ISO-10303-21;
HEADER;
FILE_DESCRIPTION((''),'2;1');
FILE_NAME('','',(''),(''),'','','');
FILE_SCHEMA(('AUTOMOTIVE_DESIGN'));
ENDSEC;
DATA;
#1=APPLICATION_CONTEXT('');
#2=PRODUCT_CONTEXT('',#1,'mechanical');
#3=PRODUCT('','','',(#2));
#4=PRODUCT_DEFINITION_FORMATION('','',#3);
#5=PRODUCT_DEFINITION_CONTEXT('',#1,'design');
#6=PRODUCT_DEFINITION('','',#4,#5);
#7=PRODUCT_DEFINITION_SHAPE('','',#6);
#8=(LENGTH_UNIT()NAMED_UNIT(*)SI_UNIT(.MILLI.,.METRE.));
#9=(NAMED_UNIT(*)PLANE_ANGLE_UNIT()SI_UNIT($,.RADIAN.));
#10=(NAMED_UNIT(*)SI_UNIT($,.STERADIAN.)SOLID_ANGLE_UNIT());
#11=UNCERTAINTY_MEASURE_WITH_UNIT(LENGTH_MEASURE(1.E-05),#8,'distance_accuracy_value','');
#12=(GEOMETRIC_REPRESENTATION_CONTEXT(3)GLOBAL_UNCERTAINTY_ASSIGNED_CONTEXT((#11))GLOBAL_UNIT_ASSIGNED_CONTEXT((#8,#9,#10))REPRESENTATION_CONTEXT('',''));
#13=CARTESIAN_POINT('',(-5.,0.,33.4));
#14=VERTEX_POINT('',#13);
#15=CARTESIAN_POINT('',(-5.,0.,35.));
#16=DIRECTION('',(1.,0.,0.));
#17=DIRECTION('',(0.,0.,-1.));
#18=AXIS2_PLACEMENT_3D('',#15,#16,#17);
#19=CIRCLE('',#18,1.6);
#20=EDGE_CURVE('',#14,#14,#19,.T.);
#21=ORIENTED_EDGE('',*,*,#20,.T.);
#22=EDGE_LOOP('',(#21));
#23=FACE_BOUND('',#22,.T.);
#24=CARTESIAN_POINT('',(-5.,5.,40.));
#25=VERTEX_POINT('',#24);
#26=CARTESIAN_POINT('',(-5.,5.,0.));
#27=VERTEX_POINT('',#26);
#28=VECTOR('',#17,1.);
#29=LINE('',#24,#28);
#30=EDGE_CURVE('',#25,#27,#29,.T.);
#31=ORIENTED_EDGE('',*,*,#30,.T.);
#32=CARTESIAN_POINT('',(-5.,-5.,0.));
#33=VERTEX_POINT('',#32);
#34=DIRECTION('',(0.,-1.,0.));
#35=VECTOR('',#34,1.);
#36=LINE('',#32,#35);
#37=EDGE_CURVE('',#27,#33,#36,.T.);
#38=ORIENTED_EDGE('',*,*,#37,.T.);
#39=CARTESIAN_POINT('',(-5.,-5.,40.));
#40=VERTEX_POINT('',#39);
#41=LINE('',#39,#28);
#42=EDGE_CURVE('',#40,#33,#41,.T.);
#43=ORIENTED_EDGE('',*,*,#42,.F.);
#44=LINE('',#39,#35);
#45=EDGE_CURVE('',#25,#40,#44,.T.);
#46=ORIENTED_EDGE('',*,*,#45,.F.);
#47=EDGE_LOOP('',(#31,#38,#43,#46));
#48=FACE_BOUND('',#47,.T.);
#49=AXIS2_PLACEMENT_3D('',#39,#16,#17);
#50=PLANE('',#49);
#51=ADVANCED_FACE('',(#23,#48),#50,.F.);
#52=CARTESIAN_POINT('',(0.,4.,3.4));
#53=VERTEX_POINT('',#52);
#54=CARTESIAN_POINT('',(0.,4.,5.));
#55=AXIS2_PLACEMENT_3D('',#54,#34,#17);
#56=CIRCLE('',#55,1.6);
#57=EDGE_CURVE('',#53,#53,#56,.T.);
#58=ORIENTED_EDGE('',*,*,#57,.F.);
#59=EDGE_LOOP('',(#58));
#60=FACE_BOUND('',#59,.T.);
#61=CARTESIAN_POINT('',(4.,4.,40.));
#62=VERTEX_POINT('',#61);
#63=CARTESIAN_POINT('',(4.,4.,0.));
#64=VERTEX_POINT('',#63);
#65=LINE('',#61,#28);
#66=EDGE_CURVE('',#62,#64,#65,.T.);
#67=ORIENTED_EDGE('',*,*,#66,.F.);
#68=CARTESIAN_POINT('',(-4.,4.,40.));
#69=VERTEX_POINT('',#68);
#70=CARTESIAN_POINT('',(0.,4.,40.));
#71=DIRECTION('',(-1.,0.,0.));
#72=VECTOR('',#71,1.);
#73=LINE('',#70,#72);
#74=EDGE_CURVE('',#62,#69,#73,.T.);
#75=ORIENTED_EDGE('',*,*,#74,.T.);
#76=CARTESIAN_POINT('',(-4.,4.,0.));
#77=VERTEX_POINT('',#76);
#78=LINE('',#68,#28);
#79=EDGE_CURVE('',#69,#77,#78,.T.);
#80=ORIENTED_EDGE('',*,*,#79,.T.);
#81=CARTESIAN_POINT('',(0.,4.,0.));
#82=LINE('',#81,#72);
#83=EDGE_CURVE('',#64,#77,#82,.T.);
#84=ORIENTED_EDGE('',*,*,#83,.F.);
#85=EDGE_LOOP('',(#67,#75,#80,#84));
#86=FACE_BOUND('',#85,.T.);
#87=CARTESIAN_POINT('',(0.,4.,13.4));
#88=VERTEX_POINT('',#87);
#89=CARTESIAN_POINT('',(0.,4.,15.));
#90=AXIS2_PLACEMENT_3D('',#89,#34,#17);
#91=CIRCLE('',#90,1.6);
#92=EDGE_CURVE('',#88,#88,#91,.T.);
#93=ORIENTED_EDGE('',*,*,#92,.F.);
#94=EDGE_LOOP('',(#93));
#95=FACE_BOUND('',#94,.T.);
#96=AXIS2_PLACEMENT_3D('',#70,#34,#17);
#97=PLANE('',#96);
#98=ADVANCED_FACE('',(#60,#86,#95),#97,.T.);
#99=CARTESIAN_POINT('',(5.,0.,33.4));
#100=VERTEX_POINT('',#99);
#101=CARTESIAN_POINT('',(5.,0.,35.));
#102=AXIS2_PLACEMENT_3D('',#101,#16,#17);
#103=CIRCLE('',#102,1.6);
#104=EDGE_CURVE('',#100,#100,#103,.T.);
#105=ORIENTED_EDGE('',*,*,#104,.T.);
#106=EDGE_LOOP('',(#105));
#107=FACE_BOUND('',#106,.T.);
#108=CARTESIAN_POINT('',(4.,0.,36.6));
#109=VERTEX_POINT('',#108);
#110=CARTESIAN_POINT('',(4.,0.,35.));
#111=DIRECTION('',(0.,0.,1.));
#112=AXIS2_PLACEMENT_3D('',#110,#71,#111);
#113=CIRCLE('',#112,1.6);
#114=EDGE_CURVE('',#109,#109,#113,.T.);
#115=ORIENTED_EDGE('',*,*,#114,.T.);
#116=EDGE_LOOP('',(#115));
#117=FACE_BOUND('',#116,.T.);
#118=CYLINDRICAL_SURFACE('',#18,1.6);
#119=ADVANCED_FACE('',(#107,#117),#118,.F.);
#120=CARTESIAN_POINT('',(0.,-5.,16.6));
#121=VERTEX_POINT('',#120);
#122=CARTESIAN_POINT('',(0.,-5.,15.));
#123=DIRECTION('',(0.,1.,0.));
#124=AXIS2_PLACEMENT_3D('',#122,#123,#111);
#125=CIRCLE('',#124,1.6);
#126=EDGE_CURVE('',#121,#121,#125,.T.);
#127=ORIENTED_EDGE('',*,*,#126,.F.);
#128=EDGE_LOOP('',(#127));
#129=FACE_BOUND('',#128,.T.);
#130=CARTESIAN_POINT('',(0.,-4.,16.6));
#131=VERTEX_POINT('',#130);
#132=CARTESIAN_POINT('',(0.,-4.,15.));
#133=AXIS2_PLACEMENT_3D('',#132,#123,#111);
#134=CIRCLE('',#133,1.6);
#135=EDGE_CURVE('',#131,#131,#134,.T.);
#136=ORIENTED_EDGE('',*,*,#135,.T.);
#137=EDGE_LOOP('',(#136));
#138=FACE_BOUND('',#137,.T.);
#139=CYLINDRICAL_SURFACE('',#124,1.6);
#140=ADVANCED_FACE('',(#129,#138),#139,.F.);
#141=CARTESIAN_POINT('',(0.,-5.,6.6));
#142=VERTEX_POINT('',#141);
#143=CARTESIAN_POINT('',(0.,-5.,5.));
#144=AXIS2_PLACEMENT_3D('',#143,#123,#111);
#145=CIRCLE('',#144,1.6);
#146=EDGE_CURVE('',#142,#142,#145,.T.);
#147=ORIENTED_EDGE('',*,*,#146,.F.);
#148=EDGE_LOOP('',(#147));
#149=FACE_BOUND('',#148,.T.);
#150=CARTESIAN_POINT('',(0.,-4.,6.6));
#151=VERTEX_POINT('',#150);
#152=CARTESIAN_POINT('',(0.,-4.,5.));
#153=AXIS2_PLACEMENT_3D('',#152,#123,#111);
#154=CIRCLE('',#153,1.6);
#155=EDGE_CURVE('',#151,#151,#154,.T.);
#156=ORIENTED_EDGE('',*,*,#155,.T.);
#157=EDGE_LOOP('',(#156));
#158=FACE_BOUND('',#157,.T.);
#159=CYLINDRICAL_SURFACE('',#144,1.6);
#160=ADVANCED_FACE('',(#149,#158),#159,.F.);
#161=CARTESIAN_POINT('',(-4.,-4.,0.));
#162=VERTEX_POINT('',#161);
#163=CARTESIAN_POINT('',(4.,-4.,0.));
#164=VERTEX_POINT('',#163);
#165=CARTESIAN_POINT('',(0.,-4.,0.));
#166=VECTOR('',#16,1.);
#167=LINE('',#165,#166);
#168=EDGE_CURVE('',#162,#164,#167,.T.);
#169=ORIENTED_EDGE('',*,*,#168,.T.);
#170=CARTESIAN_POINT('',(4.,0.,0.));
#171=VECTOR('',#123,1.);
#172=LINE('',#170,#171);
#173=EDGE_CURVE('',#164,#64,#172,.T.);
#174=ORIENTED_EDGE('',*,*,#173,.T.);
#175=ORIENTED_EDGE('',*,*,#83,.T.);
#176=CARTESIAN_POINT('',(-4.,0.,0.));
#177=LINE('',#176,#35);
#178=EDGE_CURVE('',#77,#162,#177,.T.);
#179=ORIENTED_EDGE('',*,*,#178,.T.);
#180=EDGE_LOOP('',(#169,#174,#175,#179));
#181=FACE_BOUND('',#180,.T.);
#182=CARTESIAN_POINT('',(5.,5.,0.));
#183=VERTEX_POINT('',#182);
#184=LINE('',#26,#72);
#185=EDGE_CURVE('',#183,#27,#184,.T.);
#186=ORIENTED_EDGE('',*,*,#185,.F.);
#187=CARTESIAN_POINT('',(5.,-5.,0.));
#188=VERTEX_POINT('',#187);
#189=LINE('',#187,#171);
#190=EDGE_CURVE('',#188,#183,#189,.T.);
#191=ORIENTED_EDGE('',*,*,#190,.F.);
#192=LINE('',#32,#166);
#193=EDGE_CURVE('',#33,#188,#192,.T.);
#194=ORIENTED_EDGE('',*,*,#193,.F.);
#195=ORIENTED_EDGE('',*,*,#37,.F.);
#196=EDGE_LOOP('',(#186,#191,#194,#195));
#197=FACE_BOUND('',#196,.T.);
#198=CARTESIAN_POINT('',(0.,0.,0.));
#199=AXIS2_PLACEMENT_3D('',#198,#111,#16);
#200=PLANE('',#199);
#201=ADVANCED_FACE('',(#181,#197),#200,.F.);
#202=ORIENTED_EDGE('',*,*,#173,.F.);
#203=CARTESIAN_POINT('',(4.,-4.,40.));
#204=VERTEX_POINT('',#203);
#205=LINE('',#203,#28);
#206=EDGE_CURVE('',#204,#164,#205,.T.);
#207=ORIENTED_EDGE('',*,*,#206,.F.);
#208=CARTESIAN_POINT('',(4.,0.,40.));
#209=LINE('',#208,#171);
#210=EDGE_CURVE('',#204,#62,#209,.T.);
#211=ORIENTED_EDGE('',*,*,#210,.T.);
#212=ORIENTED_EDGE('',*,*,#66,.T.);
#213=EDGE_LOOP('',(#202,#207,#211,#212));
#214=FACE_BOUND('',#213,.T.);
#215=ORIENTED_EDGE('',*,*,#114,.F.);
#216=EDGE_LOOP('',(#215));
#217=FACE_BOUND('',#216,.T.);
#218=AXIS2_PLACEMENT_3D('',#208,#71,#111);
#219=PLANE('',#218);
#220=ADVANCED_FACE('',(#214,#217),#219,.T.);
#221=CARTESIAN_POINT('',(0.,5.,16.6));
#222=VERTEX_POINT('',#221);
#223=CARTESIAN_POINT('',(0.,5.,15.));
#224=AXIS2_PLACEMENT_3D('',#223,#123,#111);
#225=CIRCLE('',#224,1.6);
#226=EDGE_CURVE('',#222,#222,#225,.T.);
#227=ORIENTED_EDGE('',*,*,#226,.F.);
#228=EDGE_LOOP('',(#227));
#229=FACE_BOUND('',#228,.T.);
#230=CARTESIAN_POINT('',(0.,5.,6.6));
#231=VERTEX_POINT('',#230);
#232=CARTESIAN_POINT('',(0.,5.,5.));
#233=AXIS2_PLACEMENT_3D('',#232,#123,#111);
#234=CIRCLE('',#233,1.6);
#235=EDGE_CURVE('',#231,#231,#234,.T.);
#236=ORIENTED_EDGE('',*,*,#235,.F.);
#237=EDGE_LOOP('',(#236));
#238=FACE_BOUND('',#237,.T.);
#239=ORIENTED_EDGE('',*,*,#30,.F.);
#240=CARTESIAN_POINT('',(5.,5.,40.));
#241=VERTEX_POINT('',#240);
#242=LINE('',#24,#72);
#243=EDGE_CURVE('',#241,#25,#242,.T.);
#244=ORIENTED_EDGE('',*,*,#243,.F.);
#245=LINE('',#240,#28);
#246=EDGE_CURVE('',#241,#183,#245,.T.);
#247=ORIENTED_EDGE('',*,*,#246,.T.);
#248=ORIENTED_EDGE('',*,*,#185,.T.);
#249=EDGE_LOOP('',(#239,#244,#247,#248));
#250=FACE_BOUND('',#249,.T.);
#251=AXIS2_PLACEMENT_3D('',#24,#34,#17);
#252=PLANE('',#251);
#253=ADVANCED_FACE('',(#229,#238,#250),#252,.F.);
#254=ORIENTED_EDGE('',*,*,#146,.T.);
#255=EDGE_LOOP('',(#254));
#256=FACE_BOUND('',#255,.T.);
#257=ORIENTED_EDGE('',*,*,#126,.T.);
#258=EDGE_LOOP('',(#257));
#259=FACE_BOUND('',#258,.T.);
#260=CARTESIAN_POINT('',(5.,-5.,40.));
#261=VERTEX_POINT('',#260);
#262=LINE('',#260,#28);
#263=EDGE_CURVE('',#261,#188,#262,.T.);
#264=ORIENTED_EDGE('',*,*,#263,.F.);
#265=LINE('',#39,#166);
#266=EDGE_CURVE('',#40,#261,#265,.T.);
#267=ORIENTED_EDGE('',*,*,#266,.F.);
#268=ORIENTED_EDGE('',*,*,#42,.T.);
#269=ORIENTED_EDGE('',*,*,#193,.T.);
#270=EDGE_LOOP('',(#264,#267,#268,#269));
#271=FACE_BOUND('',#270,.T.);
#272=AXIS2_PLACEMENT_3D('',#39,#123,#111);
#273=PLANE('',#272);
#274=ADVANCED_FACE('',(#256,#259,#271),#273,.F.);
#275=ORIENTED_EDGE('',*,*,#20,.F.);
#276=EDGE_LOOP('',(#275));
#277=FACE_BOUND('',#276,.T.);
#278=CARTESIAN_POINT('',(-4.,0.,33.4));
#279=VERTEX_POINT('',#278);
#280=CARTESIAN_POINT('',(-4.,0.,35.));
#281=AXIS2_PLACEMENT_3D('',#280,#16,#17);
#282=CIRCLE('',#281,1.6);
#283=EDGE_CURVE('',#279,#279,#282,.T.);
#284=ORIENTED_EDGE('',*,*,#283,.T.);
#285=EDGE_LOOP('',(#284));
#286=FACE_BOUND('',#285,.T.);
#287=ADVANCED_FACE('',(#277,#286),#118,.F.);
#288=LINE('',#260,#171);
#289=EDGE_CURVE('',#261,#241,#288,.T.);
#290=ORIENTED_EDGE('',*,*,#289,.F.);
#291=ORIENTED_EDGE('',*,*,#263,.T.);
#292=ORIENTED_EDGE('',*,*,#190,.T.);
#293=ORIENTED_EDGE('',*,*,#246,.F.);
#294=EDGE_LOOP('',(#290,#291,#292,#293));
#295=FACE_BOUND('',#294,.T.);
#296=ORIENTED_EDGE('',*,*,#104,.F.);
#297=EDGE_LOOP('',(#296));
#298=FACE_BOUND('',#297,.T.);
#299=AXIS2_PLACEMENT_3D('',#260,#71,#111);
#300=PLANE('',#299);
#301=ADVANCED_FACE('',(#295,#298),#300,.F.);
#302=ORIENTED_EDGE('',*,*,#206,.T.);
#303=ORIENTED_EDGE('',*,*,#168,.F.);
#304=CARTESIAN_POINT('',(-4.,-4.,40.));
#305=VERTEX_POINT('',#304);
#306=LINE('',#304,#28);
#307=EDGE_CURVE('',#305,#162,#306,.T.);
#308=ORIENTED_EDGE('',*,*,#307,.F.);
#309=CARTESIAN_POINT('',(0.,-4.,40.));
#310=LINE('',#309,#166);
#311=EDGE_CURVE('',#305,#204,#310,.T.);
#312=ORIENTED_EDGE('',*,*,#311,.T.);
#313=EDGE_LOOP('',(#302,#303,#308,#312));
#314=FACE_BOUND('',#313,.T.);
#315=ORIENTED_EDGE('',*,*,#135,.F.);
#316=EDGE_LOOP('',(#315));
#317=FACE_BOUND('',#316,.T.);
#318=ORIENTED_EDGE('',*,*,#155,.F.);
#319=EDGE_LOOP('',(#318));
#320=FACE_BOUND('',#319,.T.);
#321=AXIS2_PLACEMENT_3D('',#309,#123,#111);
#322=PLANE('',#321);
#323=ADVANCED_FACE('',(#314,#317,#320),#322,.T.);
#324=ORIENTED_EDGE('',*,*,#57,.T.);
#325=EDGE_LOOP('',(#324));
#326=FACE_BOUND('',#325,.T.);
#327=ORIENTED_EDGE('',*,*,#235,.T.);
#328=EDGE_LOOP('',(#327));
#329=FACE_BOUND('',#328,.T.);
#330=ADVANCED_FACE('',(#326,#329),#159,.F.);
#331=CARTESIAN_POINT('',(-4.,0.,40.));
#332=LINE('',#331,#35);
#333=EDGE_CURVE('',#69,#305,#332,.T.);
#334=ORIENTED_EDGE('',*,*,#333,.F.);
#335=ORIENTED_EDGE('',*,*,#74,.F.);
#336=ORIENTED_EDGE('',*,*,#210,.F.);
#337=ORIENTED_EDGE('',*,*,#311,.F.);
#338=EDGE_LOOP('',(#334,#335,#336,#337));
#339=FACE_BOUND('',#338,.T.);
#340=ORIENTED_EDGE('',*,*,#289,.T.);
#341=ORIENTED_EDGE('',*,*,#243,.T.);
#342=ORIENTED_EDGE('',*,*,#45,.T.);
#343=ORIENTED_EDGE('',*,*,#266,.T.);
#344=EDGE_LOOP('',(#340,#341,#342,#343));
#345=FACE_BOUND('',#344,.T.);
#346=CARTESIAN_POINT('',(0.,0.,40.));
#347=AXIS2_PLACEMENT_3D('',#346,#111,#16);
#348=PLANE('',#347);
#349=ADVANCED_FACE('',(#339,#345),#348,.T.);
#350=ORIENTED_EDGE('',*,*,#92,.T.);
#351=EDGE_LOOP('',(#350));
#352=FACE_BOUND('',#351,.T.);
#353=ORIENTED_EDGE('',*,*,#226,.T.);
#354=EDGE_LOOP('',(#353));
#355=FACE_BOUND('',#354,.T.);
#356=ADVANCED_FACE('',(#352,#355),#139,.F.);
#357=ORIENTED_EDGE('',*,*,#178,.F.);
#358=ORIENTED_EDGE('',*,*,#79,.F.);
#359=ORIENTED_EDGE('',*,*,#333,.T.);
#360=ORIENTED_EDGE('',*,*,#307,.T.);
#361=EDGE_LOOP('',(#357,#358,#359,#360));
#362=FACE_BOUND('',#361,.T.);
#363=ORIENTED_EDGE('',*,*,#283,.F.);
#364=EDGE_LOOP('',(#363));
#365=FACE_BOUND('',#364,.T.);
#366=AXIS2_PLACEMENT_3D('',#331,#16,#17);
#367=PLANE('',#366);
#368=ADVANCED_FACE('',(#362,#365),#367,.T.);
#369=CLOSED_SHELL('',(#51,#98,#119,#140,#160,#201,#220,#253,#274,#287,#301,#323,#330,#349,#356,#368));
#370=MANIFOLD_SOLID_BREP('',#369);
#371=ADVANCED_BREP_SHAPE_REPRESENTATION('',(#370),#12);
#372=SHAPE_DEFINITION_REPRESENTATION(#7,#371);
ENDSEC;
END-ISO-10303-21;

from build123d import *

# Parameters (mm, degrees)
SKETCH_283_W          = 10
SKETCH_283_H          = 10
SKETCH_283_W_2        = 8
SKETCH_283_H_2        = 8
EXTRUDE_340_DEPTH     = 40
SKETCH_412_R          = 1.6
CUT_EXTRUDE_784_DEPTH = 42.533119315
SKETCH_624_R          = 1.6
CUT_EXTRUDE_828_DEPTH = 42.533119315


with BuildPart() as part:
    # Sketch 283 → Extrude 340 (new body)
    with BuildSketch(Plane.XY):
        Rectangle(SKETCH_283_W, SKETCH_283_H)
        Rectangle(SKETCH_283_W_2, SKETCH_283_H_2, mode=Mode.SUBTRACT)
    extrude(amount=EXTRUDE_340_DEPTH)

    # Sketch 412 → Cut-Extrude 784 (cut, through all)
    with BuildSketch(Plane(origin=(0, 5, 0), x_dir=(1, 0, 0), z_dir=(0, 1, 0))):
        with Locations(Location((0, -5, 0), (0, 0, 270))):
            Circle(SKETCH_412_R)
        with Locations(Location((0, -15, 0), (0, 0, 270))):
            Circle(SKETCH_412_R)
    extrude(amount=-CUT_EXTRUDE_784_DEPTH, mode=Mode.SUBTRACT)

    # Sketch 624 → Cut-Extrude 828 (cut, through all)
    with BuildSketch(Plane(origin=(5, 0, 0), x_dir=(0, 0, -1), z_dir=(1, 0, 0))):
        with Locations((-35, 0)):
            Circle(SKETCH_624_R)
    extrude(amount=-CUT_EXTRUDE_828_DEPTH, mode=Mode.SUBTRACT)


solid = part.part
